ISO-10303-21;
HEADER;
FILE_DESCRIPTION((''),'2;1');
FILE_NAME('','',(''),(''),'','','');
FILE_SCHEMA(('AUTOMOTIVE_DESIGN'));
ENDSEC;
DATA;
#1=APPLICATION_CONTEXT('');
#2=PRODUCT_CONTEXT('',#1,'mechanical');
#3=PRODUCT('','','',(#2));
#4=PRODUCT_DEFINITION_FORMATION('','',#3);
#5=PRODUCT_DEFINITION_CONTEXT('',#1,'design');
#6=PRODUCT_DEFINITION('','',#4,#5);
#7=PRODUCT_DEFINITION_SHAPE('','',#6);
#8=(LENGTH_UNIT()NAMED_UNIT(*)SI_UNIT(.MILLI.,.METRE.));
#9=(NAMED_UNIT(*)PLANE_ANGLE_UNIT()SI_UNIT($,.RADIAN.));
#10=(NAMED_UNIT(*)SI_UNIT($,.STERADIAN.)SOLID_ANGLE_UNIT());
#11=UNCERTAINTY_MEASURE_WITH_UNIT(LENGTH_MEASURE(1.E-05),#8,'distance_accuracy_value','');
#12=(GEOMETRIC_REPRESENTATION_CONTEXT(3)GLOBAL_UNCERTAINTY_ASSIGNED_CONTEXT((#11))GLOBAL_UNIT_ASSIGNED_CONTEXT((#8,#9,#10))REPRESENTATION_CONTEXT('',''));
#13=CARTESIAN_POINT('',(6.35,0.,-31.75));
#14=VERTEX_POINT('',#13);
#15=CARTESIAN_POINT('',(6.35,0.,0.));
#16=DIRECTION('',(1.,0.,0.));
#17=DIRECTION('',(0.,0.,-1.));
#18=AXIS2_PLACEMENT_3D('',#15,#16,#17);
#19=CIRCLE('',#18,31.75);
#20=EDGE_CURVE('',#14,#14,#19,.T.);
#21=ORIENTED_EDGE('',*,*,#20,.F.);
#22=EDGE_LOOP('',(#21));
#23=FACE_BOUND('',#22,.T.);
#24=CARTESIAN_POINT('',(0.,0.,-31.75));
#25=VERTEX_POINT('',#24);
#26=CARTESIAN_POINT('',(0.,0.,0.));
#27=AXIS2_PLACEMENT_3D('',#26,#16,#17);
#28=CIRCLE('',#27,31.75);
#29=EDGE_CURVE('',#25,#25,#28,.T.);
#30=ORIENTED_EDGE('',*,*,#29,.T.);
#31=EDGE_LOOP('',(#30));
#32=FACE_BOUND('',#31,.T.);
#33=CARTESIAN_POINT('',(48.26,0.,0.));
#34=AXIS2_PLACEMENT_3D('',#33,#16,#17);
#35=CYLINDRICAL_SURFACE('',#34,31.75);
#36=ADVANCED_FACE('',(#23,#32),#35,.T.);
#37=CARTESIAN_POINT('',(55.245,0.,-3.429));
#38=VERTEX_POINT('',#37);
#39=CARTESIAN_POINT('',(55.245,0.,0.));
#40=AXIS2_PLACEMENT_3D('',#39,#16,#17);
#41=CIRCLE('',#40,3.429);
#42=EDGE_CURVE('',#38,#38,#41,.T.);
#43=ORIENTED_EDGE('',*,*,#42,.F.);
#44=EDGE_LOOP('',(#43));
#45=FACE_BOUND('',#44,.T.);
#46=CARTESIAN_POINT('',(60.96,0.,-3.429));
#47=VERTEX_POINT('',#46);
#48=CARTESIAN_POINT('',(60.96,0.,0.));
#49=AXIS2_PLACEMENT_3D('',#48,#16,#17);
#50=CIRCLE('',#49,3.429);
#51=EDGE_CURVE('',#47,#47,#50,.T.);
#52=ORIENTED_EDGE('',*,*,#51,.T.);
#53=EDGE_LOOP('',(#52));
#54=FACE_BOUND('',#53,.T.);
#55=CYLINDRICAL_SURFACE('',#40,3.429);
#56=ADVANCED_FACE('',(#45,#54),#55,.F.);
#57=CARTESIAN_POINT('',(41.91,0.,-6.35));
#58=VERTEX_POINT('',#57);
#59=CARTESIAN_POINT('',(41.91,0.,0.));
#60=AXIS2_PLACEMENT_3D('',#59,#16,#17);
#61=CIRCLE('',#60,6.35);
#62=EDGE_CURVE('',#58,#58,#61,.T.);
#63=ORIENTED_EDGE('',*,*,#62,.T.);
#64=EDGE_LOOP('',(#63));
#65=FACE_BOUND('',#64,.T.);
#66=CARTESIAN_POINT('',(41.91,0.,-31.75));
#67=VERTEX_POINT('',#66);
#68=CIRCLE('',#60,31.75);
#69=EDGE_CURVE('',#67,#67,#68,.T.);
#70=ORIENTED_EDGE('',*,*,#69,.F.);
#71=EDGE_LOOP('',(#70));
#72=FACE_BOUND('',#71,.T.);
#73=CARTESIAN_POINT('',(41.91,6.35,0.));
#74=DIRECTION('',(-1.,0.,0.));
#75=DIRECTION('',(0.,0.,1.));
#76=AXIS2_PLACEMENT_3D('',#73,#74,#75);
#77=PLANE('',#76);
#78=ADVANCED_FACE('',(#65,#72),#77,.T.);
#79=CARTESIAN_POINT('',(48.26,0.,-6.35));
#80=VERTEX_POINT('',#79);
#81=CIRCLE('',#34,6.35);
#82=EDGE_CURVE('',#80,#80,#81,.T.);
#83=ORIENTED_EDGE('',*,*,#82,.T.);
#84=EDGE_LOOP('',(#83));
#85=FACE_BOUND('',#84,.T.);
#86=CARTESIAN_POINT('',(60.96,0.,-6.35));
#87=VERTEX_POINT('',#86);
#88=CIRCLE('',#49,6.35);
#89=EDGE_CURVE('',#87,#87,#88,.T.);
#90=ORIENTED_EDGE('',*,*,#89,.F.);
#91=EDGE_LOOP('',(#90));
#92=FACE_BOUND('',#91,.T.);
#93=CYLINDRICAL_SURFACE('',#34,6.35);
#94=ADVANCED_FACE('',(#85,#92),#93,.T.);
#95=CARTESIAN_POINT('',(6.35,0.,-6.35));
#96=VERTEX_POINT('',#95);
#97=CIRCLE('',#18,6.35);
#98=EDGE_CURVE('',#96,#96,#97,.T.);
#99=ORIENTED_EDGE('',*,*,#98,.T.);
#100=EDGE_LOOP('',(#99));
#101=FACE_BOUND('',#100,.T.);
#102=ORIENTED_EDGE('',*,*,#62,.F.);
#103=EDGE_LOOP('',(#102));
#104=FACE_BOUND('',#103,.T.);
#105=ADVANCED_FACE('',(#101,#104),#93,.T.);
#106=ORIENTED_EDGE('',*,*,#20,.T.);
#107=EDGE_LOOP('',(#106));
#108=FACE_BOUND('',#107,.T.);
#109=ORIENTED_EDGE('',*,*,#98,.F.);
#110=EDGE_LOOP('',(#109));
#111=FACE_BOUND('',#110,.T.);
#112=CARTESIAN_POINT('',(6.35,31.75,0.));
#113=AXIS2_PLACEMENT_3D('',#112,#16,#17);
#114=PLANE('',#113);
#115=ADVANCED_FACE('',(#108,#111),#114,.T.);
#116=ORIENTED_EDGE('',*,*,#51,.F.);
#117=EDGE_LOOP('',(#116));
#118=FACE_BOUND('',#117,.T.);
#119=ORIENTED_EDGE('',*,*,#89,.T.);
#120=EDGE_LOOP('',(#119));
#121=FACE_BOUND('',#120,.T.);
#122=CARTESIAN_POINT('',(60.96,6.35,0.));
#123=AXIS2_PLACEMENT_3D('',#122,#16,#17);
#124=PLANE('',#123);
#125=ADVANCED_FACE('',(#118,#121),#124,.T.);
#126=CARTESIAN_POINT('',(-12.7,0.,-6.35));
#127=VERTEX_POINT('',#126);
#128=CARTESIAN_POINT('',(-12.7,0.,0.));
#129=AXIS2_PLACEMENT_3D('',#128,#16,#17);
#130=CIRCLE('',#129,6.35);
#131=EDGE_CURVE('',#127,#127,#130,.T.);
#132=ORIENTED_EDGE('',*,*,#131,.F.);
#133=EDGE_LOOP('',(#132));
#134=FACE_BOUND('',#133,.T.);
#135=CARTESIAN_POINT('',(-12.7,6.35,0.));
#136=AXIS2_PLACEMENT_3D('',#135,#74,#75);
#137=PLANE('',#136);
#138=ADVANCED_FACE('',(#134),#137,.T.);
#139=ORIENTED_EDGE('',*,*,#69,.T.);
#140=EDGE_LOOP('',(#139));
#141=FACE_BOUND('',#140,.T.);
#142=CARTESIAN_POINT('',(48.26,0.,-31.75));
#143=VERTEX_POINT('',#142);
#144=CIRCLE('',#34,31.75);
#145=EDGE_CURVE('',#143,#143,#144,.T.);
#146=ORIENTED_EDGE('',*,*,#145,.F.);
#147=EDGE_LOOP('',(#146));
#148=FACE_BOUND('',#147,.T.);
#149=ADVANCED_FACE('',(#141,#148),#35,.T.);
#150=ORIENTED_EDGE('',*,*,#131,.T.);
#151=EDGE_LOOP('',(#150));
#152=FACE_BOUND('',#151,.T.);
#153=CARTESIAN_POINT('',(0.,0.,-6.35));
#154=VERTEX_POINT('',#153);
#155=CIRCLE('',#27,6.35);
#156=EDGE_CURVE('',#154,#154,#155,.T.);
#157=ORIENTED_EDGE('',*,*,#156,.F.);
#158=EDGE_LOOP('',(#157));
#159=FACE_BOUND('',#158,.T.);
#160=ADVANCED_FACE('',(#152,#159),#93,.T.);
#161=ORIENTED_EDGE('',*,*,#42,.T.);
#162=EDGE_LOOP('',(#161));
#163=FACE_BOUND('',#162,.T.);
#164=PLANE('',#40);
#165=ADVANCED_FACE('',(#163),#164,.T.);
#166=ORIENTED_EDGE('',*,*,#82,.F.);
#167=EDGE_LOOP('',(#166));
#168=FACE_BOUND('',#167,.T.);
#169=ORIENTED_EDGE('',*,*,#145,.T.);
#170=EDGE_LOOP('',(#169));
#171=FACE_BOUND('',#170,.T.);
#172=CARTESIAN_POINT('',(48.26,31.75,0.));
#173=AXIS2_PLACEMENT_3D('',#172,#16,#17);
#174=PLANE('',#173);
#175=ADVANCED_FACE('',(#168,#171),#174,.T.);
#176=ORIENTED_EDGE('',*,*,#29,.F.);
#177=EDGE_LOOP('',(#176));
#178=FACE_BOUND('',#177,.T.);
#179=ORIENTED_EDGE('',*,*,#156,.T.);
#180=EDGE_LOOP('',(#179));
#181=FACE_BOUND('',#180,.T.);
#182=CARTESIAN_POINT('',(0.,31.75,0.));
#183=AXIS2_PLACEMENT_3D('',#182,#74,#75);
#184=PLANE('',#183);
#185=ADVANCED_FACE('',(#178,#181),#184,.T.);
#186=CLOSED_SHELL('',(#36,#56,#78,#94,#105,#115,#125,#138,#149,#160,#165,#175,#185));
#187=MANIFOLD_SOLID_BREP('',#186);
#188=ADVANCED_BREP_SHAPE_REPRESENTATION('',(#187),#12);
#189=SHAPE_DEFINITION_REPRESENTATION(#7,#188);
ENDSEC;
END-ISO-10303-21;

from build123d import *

# Parameters (mm, degrees)
SKETCH4_R          = 3.429
CUT_EXTRUDE1_DEPTH = 5.715


with BuildPart() as part:
    # Sketch2 → Revolve1 (revolve)
    with BuildSketch(Plane.XY, mode=Mode.PRIVATE) as revolve1_sk:
        Polygon((0, 31.75), (6.35, 31.75), (6.35, 6.35), (41.91, 6.35), (41.91, 31.75), (48.26, 31.75), (48.26, 6.35), (60.96, 6.35), (60.96, 0), (48.26, 0), (0, 0), (-12.7, 0), (-12.7, 6.35), (0, 6.35), align=None)
    revolve(revolve1_sk.sketch.rotate(Axis((48.26, 0, 0), (-1, 0, 0)), 90), axis=Axis((48.26, 0, 0), (-1, 0, 0)))

    # Sketch4 → Cut-Extrude1 (cut)
    with BuildSketch(Plane(origin=(60.96, 0, 0), x_dir=(0, 0, -1), z_dir=(1, 0, 0))):
        Circle(SKETCH4_R)
    extrude(amount=-CUT_EXTRUDE1_DEPTH, mode=Mode.SUBTRACT)


solid = part.part
